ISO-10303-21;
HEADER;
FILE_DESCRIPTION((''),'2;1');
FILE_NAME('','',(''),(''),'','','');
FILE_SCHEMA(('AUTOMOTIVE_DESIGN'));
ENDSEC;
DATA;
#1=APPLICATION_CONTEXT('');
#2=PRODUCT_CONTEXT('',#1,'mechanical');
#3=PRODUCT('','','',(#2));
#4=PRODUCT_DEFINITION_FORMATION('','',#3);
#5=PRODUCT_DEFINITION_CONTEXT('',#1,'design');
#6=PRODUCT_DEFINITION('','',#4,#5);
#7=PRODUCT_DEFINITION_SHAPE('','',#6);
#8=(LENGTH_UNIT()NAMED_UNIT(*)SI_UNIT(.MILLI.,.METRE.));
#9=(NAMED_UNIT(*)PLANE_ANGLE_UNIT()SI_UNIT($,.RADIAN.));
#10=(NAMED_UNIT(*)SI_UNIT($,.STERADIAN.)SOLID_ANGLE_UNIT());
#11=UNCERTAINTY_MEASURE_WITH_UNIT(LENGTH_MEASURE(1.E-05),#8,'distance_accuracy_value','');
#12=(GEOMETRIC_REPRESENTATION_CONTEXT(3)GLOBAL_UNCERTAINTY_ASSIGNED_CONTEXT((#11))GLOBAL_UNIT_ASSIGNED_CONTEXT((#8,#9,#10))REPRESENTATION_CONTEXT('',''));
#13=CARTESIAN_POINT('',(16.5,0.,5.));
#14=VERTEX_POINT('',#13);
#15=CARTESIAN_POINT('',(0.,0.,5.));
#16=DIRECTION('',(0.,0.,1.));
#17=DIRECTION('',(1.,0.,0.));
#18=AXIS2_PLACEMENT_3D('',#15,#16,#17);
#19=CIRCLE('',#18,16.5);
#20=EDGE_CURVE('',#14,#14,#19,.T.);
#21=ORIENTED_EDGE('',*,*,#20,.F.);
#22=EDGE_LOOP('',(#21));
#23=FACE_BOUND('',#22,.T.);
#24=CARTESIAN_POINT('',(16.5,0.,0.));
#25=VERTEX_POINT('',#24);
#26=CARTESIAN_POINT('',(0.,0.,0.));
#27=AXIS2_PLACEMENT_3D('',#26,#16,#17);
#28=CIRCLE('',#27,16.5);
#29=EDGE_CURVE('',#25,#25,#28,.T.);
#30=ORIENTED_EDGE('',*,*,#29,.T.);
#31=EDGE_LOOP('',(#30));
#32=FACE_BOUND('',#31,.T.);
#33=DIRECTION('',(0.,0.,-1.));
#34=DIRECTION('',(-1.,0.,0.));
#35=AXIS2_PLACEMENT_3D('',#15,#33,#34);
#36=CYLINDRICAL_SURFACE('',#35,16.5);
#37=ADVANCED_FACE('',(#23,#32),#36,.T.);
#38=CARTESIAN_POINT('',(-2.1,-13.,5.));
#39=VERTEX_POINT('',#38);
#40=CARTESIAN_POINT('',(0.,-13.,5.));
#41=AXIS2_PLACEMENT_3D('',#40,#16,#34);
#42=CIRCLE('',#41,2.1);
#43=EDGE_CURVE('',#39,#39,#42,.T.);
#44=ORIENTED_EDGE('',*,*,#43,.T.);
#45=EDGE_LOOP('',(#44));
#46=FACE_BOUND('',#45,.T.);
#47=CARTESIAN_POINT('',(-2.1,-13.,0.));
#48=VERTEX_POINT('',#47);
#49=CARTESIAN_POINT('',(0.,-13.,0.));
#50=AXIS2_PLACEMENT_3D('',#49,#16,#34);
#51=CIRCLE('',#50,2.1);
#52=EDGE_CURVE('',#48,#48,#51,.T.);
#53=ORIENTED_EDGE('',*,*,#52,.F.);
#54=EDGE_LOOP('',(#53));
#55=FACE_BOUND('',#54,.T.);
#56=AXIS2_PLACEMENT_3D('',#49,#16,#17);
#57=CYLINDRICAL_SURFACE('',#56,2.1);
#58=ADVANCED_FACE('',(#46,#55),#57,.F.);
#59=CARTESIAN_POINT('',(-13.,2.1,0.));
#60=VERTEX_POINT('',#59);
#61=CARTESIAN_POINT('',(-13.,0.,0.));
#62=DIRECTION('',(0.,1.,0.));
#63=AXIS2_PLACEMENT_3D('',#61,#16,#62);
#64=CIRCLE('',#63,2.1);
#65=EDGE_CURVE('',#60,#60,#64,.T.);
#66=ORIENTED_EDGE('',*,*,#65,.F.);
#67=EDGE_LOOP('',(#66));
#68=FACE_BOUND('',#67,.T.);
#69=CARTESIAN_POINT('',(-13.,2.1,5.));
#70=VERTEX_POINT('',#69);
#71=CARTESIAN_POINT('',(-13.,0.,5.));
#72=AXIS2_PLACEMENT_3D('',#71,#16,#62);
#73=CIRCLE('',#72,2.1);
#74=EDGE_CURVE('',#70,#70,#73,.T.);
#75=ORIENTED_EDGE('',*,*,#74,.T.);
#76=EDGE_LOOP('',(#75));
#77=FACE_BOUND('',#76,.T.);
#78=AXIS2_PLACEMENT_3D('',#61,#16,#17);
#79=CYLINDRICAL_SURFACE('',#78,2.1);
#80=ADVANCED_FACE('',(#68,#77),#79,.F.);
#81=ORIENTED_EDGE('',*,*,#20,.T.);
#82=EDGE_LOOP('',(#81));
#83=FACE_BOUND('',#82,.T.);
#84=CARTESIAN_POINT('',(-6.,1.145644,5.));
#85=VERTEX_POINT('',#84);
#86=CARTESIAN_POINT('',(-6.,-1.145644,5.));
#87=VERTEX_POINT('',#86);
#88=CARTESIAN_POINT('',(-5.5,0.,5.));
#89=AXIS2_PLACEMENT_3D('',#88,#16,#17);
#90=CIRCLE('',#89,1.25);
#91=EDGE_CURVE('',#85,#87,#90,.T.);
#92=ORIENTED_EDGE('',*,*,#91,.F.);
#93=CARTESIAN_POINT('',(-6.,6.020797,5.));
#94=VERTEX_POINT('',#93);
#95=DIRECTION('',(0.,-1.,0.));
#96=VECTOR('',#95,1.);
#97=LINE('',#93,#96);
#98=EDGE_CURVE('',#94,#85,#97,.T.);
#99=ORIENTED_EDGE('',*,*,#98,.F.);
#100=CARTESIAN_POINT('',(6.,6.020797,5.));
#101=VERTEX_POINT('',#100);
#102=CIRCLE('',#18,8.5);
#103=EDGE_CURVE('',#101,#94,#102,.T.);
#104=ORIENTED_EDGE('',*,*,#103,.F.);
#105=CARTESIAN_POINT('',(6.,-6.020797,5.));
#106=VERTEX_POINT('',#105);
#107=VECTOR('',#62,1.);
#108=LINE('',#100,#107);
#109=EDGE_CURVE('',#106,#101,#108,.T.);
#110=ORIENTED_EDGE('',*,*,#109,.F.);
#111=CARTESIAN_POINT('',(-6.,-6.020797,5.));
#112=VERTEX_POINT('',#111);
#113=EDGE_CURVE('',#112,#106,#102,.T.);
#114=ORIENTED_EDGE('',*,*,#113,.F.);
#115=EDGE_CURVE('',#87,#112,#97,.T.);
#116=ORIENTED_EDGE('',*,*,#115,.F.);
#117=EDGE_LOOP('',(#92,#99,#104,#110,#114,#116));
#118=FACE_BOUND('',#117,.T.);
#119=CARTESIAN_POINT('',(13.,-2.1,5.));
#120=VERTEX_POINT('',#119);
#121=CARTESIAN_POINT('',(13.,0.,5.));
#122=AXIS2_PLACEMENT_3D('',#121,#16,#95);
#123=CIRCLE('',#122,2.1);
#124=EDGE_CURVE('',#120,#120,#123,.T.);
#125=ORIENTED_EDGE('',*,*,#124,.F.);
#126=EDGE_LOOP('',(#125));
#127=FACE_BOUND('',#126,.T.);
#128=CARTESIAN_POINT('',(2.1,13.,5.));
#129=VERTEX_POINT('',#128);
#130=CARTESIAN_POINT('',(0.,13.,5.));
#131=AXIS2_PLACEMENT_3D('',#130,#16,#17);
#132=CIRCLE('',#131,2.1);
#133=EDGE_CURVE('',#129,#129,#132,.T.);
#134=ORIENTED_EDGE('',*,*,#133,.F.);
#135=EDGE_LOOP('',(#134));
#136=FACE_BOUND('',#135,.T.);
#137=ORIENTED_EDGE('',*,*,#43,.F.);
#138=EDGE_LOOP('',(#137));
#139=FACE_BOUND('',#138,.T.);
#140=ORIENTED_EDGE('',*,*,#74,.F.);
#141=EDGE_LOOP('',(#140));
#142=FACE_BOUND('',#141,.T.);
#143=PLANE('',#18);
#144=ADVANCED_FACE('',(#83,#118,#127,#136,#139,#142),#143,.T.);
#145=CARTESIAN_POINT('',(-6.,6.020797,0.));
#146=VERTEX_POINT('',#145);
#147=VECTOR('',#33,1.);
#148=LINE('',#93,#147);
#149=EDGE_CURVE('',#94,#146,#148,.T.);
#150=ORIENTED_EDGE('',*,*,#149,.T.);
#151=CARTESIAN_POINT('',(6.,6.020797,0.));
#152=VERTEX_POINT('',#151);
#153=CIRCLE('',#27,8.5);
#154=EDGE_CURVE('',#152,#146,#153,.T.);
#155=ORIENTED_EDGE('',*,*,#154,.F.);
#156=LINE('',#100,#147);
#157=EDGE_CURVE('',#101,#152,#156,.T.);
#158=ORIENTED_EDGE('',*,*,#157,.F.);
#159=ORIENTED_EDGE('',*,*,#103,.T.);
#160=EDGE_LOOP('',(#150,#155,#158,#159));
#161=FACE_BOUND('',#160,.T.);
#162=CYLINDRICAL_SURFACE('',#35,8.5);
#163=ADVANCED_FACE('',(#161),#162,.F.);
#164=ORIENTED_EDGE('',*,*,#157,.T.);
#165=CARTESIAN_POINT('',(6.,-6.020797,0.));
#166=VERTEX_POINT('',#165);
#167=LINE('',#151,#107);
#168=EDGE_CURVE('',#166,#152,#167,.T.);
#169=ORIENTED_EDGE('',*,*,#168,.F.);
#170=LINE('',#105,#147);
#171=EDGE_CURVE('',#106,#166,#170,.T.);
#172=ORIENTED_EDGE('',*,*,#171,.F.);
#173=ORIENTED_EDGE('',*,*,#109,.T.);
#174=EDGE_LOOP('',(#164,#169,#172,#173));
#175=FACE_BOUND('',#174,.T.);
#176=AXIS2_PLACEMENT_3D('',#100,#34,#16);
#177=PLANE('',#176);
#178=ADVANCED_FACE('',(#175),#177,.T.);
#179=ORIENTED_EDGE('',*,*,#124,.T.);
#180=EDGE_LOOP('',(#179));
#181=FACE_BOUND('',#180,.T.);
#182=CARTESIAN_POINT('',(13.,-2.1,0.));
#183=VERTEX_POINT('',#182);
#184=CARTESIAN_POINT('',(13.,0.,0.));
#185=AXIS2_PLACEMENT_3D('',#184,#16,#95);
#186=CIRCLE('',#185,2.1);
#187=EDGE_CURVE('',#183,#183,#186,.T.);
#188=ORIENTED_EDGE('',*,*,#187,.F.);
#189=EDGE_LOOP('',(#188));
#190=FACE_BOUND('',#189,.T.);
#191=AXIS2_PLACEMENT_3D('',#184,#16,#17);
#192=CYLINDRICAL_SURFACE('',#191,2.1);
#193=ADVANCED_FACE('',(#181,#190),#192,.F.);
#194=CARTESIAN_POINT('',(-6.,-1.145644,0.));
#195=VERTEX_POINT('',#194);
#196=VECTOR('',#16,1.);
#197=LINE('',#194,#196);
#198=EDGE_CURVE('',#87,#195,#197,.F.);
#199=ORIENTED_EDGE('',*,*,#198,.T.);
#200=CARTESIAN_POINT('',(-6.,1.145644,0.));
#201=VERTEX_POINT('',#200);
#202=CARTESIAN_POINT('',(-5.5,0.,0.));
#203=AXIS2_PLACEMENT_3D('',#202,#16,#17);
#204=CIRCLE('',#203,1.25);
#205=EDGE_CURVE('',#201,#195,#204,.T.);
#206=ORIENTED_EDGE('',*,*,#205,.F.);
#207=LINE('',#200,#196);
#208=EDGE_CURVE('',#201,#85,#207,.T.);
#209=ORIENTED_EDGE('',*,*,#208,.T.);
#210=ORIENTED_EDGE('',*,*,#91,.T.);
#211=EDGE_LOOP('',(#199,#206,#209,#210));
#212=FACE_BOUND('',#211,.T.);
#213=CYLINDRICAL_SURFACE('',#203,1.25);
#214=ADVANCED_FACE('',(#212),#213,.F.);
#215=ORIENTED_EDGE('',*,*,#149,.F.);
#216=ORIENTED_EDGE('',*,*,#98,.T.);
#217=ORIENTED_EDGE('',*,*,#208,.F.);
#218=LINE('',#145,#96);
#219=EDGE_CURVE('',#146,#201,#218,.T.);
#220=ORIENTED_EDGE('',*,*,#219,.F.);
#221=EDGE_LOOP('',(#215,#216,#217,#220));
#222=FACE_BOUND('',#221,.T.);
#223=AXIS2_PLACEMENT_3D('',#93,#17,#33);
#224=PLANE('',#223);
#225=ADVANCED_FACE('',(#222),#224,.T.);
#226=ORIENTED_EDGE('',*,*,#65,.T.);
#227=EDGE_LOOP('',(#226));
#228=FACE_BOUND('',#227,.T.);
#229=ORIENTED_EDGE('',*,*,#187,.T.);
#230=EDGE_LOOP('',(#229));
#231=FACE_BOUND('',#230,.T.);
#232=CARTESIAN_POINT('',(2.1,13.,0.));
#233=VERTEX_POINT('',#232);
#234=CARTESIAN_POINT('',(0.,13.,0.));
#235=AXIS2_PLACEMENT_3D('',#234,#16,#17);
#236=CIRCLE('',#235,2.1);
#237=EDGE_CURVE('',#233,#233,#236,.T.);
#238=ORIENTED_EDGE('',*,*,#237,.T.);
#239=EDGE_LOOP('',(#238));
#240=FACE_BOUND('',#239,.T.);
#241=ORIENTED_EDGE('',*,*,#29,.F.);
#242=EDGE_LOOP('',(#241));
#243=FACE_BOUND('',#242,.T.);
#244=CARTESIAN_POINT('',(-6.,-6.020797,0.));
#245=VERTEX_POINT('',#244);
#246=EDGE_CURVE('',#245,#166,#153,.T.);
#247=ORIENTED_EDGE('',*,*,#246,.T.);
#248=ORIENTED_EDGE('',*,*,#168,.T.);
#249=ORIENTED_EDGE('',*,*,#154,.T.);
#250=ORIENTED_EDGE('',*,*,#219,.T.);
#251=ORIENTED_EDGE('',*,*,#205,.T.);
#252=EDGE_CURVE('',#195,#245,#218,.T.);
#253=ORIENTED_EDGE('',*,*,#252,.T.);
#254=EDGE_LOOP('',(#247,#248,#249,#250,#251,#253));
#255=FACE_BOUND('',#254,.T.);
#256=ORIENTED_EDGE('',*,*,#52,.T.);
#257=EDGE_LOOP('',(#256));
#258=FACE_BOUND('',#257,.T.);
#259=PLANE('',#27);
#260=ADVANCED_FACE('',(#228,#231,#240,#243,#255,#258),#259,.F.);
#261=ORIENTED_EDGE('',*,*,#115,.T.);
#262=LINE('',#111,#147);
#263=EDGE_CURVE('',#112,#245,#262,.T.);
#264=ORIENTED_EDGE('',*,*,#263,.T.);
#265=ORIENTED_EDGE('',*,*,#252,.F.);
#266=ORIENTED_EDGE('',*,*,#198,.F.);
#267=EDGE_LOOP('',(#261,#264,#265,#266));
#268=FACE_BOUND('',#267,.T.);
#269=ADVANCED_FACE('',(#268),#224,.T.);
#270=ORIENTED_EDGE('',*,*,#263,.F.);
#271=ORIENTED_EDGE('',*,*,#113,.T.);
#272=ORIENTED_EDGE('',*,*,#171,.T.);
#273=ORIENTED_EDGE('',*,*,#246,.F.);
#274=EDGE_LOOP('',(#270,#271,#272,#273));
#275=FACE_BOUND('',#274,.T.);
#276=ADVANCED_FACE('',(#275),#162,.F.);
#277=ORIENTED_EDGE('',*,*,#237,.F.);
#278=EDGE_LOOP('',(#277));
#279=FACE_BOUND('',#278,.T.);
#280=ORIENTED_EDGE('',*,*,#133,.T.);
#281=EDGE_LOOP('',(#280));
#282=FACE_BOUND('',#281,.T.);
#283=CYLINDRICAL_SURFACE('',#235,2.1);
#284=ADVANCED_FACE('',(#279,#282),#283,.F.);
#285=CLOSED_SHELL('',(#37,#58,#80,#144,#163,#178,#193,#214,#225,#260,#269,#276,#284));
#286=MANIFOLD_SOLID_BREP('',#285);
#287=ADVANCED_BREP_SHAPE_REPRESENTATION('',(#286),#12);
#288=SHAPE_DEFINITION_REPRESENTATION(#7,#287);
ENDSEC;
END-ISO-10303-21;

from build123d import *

# Parameters (mm, degrees)
ESQUISSE1_R                  = 16.5
EXTRUSION1_DEPTH             = 5
ESQUISSE2_R                  = 2.1
ENL_V_MAT_EXTRU_1_DEPTH      = 24.864199128
R_P_TITION_CIRCULAIRE1_COUNT = 4
ESQUISSE3_R                  = 1.25
ENL_V_MAT_EXTRU_2_DEPTH      = 24.864199128


with BuildPart() as part:
    # Esquisse1 → Extrusion1 (new body)
    with BuildSketch(Plane.XY):
        Circle(ESQUISSE1_R)
        with BuildLine():
            Line((-6, 6.020797289), (-6, -6.020797289))
            ThreePointArc((-6, -6.020797289), (0, -8.5), (6, -6.020797289))
            Line((6, -6.020797289), (6, 6.020797289))
            ThreePointArc((6, 6.020797289), (0, 8.5), (-6, 6.020797289))
        make_face(mode=Mode.SUBTRACT)
    extrude(amount=EXTRUSION1_DEPTH)

    # Esquisse2 → Enlèv. mat.-Extru.1 (cut, through all)
    with BuildSketch(Plane.XY.offset(5)):
        with Locations((0, 13)):
            Circle(ESQUISSE2_R)
    enl_v_mat_extru_1 = extrude(amount=-ENL_V_MAT_EXTRU_1_DEPTH, mode=Mode.SUBTRACT)

    # Répétition circulaire1: Enlèv. mat.-Extru.1 ×4 about axis
    r_p_tition_circulaire1_axis = Axis((0, 0, 5), (0, 0, -1))
    for i in range(1, R_P_TITION_CIRCULAIRE1_COUNT):
        add(enl_v_mat_extru_1.rotate(r_p_tition_circulaire1_axis, i * 360 / R_P_TITION_CIRCULAIRE1_COUNT), mode=Mode.SUBTRACT)

    # Esquisse3 → Enlèv. mat.-Extru.2 (cut, through all)
    with BuildSketch(Plane.XY.offset(5)):
        with Locations((-5.5, 0)):
            Circle(ESQUISSE3_R)
    extrude(amount=-ENL_V_MAT_EXTRU_2_DEPTH, mode=Mode.SUBTRACT)


solid = part.part
